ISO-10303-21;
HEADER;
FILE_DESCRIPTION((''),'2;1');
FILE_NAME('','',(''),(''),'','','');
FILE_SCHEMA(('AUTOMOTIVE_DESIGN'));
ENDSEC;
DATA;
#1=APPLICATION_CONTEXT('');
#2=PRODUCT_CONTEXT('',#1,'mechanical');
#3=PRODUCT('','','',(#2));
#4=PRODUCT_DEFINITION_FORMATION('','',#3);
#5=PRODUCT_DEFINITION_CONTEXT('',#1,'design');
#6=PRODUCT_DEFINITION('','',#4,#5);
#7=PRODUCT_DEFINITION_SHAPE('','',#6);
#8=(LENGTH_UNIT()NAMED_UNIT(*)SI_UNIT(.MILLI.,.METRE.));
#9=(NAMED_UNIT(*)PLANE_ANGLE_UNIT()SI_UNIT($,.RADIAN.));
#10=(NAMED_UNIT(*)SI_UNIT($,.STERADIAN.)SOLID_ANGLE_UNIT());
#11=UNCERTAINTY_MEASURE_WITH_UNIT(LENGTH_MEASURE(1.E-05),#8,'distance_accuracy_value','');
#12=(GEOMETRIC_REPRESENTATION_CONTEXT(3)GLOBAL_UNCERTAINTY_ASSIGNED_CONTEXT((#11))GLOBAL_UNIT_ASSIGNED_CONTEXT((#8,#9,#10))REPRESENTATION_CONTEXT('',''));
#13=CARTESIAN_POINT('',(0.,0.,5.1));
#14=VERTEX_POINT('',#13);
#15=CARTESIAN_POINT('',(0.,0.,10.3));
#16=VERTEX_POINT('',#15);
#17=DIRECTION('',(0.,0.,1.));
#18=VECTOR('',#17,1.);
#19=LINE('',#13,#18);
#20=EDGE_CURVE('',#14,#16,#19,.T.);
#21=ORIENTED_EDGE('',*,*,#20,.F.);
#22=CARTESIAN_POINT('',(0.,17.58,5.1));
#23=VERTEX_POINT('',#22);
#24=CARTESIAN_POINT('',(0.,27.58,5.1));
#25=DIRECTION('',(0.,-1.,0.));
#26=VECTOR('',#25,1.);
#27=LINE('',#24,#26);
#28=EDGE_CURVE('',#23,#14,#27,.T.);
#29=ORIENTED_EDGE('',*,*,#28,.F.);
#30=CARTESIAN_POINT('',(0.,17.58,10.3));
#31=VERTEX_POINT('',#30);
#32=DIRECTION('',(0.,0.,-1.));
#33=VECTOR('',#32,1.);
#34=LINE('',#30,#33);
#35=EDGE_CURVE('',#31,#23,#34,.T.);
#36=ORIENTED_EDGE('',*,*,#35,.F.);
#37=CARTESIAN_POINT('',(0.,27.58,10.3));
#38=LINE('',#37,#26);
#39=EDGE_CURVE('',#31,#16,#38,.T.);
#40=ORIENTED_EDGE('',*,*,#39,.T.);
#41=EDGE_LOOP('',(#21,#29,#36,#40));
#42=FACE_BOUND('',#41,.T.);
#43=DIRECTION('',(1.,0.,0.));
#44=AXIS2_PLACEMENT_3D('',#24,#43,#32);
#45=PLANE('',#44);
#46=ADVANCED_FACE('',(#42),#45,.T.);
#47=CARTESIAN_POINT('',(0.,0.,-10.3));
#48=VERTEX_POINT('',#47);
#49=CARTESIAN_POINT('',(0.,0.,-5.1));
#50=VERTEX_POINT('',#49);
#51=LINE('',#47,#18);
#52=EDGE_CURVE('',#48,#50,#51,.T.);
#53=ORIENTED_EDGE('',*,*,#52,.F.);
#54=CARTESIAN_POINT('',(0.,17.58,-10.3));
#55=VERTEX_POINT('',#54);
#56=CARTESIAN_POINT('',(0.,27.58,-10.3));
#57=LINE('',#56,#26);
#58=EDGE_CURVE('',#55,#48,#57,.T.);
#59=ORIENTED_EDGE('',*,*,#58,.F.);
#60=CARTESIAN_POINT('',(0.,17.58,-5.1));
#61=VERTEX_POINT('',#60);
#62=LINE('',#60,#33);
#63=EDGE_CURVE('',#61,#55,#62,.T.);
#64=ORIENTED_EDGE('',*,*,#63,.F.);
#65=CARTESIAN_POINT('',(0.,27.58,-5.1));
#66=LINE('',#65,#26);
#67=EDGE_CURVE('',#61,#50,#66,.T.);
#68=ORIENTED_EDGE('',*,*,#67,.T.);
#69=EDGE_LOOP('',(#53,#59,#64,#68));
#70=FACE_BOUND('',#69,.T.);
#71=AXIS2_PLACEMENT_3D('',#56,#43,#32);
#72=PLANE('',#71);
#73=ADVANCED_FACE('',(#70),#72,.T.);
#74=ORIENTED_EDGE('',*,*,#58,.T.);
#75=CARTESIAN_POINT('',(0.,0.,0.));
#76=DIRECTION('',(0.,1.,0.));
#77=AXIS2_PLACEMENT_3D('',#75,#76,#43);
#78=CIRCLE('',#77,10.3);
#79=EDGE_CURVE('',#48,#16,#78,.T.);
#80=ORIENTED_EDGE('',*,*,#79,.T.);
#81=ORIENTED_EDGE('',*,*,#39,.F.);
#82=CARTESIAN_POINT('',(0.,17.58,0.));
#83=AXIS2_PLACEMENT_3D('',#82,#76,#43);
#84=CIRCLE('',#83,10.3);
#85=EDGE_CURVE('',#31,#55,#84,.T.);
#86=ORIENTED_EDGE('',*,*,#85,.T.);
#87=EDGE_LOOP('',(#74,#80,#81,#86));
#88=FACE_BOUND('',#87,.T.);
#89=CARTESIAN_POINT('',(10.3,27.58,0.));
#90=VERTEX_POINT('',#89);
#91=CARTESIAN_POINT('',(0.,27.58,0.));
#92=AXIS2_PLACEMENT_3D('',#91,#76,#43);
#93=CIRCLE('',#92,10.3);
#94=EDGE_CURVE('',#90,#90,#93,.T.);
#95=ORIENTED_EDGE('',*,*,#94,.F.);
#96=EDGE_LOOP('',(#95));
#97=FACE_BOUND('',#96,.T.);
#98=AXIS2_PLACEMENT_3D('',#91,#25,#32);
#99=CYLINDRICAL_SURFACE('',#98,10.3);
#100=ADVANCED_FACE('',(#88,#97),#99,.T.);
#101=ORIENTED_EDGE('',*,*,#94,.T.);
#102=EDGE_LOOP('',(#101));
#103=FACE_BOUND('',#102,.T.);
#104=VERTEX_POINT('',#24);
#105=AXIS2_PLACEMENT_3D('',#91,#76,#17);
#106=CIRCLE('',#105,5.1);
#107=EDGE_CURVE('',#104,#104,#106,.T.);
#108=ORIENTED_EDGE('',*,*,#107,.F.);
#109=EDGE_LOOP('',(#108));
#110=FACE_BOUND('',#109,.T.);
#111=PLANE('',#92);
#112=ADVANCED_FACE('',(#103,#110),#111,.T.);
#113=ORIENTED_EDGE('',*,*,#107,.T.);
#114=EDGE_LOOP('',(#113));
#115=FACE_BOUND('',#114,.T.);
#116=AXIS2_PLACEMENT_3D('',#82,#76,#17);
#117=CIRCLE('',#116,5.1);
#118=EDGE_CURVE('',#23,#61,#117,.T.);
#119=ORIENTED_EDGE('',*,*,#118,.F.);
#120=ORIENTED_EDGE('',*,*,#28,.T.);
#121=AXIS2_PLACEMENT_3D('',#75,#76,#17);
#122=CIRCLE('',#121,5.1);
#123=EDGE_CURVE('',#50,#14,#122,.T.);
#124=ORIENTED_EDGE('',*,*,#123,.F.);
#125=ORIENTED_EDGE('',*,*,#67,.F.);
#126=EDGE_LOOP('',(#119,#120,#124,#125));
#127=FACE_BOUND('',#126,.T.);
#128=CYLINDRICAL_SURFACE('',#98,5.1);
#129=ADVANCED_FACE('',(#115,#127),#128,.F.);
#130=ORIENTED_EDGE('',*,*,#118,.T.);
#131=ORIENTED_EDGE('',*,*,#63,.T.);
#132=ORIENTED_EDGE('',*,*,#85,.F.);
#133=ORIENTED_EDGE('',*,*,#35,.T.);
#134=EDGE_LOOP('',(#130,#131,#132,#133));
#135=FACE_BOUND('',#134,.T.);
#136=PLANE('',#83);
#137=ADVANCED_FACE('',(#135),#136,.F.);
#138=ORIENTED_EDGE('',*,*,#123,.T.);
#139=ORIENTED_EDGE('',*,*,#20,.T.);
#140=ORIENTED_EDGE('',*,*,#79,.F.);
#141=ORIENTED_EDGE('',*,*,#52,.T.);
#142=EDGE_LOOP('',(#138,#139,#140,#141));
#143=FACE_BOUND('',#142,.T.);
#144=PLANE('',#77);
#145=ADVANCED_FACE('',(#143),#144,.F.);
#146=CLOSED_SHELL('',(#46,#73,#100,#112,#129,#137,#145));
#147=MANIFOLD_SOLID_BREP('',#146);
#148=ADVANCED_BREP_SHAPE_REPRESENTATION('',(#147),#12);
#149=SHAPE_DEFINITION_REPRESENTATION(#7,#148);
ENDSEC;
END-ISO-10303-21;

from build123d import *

# Parameters (mm, degrees)
EXTRUDE_1_DEPTH = 27.58
EXTRUDE_START   = -10
EXTRUDE_2_DEPTH = 10


with BuildPart() as part:
    # 草圖1 → 伸長-薄件1 (new body)
    with BuildSketch(Plane(origin=(0, 0, 0), x_dir=(1, 0, 0), z_dir=(0, 1, 0))):
        with BuildLine():
            ThreePointArc((0, 5.1), (-5.1, 0), (0, -5.1))
            Line((0, -5.1), (0, -10.3))
            ThreePointArc((0, -10.3), (-10.3, 0), (0, 10.3))
            Line((0, 10.3), (0, 5.1))
        make_face()
    extrude(amount=EXTRUDE_1_DEPTH)

    # 草圖3 → 伸長-薄件2 (add)
    with BuildSketch(Plane(origin=(0, 27.58, 0), x_dir=(1, 0, 0), z_dir=(0, 1, 0)).offset(EXTRUDE_START)):
        with BuildLine():
            ThreePointArc((0, -5.1), (5.1, 0), (0, 5.1))
            Line((0, 5.1), (0, 10.3))
            ThreePointArc((0, 10.3), (10.3, 0), (0, -10.3))
            Line((0, -10.3), (0, -5.1))
        make_face()
    extrude(amount=EXTRUDE_2_DEPTH)


solid = part.part
